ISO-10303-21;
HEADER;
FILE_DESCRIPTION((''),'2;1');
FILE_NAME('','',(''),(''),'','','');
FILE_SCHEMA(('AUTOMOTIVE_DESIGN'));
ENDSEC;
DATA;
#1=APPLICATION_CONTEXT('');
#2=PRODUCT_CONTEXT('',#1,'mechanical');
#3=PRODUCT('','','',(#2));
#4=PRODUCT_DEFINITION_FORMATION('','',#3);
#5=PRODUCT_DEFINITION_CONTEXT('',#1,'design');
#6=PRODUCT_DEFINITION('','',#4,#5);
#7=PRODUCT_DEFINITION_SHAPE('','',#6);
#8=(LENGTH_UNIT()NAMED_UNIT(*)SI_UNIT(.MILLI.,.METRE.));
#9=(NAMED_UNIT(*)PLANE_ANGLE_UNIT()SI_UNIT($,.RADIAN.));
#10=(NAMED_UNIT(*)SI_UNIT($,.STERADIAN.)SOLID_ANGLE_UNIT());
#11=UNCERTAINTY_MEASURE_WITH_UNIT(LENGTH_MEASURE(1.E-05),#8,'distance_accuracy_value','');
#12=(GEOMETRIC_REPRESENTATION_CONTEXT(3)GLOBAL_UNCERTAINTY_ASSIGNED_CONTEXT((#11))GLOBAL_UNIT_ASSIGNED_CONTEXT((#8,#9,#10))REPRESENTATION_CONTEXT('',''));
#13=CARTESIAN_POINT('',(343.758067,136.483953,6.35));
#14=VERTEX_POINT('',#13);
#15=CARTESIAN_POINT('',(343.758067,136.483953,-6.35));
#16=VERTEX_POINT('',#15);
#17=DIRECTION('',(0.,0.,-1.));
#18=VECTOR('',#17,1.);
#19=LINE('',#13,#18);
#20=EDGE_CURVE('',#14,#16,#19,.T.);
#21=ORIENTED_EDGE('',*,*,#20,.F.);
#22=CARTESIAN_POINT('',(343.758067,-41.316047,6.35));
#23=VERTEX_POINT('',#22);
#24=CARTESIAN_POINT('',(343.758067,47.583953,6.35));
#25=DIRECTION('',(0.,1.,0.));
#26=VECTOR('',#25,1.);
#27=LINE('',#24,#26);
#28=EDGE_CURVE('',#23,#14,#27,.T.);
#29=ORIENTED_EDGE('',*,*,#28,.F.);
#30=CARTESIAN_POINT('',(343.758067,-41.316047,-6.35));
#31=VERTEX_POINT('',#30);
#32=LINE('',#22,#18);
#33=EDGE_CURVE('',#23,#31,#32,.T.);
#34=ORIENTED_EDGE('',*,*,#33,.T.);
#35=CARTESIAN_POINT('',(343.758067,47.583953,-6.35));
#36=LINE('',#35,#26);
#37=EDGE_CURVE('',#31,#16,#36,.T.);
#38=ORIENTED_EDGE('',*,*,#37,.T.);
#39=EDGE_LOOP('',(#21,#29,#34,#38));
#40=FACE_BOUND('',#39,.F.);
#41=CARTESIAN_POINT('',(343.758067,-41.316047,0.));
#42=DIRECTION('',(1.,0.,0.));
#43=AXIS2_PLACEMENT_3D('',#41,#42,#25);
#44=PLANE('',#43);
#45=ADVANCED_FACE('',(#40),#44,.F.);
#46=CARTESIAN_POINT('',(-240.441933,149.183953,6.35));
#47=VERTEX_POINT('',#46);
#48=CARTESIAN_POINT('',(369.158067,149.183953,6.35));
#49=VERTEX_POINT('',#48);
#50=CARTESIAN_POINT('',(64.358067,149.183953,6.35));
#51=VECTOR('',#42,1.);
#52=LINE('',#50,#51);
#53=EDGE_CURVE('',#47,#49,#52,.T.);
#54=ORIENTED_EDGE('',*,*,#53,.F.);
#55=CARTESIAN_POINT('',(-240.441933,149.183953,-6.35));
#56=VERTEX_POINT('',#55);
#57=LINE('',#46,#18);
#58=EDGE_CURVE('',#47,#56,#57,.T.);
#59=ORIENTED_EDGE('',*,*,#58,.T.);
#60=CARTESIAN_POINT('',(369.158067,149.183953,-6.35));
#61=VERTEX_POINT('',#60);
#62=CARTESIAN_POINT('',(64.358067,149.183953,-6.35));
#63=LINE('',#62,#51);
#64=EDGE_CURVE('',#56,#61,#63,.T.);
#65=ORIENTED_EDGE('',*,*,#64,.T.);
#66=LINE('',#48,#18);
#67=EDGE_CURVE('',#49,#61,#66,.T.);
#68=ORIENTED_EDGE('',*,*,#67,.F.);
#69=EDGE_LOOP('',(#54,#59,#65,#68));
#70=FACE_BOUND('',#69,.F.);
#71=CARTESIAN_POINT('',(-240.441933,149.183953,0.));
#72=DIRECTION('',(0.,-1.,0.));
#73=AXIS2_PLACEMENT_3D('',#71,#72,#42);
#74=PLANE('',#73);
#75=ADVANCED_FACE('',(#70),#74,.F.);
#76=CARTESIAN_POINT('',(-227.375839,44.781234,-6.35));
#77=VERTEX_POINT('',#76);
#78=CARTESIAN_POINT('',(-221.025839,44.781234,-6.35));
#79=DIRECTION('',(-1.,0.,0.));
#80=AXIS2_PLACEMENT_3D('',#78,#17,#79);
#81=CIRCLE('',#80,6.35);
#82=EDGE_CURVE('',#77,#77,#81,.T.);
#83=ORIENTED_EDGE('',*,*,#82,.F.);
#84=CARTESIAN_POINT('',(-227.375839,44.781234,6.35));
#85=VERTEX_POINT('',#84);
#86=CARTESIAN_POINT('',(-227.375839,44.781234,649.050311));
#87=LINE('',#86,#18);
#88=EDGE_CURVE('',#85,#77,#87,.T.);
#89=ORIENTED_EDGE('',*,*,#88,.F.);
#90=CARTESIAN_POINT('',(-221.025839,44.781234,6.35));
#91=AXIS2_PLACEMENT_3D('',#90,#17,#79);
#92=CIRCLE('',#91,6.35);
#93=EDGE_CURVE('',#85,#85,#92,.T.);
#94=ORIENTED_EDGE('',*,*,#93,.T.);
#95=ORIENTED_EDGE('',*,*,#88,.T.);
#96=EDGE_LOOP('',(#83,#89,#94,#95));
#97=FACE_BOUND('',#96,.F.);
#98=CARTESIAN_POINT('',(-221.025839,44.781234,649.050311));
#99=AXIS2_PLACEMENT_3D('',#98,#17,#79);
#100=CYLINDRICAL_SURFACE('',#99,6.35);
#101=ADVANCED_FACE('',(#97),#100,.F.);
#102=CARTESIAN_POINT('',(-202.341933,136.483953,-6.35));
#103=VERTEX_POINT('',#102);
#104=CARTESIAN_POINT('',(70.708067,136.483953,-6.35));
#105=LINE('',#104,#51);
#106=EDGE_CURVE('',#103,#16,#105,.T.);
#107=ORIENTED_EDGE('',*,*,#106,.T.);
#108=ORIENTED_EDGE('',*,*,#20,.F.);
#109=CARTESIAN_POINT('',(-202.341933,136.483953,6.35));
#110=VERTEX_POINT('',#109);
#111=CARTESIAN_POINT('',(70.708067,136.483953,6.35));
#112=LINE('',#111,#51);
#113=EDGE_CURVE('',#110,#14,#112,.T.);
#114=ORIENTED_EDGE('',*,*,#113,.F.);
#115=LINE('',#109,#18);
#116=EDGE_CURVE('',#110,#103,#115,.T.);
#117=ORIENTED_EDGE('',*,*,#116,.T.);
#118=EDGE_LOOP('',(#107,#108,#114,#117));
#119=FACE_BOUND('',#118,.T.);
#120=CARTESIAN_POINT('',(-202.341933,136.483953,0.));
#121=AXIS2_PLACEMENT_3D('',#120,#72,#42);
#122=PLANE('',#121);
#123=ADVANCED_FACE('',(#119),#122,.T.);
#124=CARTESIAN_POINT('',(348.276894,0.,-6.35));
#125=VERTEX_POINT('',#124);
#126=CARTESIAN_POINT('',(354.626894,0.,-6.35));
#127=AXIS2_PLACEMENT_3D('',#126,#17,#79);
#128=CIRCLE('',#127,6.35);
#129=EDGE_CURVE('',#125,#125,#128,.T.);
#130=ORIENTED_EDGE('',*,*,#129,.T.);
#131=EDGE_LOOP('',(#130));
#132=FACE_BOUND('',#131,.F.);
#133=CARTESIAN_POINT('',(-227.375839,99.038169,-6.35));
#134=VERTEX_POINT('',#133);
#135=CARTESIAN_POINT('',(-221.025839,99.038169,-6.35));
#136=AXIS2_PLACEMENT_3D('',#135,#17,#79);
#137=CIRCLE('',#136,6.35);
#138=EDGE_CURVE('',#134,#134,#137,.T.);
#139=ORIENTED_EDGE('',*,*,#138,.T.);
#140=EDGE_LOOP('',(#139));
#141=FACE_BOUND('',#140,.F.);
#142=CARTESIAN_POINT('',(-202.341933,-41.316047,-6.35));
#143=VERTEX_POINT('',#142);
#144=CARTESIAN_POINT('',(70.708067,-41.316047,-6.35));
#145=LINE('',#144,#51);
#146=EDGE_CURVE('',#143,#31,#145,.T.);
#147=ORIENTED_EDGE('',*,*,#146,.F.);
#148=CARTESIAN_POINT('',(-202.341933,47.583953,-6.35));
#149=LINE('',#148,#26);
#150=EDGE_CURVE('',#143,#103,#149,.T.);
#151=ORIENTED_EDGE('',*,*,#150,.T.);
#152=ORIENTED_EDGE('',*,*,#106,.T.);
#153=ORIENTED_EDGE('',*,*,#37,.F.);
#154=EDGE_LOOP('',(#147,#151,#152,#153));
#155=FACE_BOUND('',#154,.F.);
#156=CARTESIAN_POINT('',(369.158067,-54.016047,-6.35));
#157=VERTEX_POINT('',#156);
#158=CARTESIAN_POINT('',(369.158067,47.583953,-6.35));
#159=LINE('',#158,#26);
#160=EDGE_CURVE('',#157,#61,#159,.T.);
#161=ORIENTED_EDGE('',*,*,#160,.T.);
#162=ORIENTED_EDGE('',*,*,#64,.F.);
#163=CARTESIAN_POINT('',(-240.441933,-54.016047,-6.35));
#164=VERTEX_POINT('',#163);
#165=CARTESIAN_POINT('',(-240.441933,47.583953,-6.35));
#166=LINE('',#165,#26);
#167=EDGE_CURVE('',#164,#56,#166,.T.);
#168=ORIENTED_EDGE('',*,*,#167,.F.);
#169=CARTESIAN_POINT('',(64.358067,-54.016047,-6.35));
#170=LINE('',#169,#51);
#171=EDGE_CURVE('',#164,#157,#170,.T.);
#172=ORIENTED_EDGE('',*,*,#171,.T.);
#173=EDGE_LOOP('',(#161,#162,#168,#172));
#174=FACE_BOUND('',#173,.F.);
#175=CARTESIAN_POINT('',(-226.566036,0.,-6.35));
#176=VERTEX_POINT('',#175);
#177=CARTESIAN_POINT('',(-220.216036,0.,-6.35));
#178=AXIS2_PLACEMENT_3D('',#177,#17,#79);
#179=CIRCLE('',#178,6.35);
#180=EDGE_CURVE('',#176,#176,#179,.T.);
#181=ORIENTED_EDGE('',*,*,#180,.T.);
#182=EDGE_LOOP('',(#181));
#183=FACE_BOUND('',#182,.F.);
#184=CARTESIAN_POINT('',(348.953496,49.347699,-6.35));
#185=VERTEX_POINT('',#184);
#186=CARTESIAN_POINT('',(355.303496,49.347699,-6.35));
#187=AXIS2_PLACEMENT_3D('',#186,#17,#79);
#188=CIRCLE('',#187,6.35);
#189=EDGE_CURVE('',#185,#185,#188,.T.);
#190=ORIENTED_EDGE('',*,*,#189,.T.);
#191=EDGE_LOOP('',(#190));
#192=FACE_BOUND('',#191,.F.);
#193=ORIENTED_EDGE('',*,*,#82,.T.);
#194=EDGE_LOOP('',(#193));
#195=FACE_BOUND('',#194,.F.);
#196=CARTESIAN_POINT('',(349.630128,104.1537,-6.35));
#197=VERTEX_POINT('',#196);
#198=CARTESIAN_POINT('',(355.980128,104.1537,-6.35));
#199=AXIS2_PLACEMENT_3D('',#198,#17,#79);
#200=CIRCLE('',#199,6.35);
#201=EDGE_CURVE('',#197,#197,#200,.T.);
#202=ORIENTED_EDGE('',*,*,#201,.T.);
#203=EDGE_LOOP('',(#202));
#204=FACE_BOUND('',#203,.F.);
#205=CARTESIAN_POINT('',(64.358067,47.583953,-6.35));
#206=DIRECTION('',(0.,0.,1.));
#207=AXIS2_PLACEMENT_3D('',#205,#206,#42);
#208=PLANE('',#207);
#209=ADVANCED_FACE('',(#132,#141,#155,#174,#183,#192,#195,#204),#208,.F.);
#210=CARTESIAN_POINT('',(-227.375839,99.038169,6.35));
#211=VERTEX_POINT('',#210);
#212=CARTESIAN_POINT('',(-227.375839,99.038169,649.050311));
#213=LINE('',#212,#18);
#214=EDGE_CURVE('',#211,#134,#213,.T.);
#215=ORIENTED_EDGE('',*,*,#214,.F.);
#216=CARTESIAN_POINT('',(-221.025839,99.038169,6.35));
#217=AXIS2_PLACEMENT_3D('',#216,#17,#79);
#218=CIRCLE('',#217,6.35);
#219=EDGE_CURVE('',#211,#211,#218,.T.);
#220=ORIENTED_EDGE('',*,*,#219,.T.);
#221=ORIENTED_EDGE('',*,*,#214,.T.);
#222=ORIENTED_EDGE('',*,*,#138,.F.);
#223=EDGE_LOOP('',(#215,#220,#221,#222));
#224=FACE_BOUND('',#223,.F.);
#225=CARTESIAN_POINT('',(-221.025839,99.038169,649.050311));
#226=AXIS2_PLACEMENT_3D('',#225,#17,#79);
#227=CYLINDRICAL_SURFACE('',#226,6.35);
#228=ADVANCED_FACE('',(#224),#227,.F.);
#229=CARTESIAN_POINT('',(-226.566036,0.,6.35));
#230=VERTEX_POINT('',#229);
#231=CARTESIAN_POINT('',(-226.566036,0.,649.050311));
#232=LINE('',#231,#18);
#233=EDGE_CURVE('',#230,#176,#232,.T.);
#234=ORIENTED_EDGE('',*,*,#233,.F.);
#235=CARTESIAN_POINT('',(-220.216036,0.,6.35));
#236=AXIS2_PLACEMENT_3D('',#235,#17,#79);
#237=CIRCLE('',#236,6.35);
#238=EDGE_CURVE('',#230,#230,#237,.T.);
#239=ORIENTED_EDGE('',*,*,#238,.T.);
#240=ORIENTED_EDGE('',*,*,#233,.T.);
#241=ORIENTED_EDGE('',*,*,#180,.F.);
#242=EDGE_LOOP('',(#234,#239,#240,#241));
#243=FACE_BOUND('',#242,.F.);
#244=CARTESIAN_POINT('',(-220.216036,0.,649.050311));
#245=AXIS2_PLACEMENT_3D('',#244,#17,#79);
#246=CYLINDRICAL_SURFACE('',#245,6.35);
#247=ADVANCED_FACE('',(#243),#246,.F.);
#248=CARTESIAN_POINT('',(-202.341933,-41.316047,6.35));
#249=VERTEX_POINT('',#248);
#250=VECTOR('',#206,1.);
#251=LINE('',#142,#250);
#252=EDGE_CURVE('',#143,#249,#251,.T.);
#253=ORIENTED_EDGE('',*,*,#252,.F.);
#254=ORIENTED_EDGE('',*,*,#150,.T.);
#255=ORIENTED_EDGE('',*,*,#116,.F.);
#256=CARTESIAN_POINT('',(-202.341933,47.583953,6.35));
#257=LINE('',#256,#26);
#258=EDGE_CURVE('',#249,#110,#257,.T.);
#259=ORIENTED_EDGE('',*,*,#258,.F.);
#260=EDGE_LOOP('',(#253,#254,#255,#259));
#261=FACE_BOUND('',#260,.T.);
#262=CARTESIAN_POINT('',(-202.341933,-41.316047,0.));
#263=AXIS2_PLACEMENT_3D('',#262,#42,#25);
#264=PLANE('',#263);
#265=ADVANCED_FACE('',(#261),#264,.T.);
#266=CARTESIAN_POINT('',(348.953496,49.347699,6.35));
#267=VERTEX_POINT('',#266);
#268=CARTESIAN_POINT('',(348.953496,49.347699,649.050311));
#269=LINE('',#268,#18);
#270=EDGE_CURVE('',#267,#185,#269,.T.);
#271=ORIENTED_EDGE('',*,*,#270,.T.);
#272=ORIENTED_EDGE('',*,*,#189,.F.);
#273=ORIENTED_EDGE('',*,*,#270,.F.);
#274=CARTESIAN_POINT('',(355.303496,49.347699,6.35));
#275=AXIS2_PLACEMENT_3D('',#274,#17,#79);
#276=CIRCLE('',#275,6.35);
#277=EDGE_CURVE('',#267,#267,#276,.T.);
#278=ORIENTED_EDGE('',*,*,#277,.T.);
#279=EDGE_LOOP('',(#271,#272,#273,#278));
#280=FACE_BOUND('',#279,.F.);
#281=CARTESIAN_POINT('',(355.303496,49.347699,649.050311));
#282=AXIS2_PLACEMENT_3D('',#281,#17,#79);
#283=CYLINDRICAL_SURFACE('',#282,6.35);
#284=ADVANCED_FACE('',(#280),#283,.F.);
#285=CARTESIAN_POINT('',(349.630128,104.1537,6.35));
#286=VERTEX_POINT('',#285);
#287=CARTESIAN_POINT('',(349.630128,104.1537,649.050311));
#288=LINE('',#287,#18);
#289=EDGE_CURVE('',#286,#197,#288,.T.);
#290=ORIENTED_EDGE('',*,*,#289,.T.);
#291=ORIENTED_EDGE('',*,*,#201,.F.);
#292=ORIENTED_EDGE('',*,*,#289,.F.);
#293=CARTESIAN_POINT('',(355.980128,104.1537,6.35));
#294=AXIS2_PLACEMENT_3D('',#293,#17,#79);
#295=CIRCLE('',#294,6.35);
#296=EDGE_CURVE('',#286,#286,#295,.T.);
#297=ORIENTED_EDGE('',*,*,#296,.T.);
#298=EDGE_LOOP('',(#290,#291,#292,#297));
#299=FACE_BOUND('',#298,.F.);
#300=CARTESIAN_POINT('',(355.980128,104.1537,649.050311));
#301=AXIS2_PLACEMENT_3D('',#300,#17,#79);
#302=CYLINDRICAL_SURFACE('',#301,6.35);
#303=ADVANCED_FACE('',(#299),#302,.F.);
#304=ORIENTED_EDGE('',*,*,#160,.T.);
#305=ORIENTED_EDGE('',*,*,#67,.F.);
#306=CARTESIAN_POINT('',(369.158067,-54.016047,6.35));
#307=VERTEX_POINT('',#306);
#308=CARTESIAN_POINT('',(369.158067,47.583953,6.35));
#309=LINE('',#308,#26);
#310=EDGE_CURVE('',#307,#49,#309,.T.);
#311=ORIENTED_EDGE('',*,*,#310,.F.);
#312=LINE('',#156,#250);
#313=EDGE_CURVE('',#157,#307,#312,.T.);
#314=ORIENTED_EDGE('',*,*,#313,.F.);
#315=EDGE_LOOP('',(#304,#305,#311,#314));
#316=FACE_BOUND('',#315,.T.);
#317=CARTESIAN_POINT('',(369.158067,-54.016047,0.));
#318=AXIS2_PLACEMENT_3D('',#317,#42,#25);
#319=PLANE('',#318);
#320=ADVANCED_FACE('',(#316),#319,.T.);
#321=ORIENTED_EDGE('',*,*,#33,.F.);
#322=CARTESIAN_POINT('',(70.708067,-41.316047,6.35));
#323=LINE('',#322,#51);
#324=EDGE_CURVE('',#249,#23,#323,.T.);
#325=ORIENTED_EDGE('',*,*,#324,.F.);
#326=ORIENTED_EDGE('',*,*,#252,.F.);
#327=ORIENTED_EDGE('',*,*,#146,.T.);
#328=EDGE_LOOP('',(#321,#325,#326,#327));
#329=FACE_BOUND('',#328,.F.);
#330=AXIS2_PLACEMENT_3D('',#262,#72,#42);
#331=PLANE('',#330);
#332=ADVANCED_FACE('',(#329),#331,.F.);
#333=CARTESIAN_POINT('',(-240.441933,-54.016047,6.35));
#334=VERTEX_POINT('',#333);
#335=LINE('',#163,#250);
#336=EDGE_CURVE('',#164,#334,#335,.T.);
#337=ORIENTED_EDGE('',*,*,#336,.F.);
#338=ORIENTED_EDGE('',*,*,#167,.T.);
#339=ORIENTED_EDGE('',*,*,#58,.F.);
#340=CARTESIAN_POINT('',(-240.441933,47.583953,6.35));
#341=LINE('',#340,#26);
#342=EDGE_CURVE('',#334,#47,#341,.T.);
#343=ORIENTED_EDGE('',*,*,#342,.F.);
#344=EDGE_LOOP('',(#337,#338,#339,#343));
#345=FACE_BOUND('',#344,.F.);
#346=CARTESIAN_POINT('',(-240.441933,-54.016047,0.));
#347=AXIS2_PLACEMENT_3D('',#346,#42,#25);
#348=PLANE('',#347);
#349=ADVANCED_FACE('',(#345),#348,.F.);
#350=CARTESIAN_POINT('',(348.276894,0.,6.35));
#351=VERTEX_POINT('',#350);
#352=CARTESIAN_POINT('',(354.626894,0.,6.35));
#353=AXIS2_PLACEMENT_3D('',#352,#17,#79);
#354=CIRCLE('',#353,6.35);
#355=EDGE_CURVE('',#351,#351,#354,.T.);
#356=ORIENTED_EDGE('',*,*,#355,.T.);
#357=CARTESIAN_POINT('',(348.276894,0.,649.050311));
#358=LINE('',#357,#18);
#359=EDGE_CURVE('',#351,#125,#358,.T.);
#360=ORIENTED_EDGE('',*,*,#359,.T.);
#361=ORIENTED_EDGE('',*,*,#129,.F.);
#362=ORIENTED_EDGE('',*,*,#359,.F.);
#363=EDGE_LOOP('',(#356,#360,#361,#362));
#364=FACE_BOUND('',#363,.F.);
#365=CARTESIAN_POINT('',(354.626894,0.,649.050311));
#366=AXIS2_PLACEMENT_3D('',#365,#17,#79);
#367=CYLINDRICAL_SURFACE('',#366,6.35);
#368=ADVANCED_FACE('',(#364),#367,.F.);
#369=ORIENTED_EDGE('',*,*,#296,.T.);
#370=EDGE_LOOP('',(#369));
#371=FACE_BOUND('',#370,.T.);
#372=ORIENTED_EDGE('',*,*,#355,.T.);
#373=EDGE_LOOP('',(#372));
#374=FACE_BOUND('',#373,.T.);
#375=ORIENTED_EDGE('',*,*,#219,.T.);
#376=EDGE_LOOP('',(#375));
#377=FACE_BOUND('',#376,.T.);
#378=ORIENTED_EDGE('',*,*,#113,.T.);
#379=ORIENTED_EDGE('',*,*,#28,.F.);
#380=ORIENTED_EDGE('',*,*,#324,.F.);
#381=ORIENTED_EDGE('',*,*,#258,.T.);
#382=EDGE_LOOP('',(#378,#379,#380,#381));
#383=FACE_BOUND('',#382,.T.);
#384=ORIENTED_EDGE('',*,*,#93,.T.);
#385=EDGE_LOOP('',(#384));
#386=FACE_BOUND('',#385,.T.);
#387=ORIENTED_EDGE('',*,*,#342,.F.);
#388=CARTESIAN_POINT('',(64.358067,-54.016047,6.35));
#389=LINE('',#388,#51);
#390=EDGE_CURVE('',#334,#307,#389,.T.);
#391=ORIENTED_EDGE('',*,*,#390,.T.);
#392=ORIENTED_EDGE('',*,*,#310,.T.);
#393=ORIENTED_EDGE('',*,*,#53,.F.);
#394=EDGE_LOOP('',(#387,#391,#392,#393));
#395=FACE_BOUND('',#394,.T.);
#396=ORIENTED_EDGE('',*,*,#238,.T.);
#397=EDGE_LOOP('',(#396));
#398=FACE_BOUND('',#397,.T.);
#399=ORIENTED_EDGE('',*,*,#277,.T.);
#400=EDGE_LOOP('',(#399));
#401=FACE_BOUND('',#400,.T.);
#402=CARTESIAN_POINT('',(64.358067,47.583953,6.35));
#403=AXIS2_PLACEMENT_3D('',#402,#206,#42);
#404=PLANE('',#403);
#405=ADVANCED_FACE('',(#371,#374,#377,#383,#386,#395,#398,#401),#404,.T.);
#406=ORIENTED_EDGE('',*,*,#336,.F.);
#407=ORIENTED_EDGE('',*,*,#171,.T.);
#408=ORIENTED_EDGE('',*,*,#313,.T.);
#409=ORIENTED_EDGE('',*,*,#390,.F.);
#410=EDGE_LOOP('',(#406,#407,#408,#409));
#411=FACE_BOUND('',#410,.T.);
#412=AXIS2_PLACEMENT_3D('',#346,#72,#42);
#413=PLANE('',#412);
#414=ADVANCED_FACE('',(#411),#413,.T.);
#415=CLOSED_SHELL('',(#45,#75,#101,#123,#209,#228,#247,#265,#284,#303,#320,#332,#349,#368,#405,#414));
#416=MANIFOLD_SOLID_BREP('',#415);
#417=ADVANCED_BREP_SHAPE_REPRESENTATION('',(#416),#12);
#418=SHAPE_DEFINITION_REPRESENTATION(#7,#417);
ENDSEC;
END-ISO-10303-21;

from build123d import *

# Parameters (mm, degrees)
F0_W     = 609.6
F0_H     = 203.2
F0_W_2   = 546.1
F0_H_2   = 177.8
F1_DEPTH = 6.35
F3_D     = 12.7
F5_D     = 12.7


with BuildPart() as f1:
    # F0 (on Top) → F1 (new body, symmetric)
    with BuildSketch(Plane.XY):
        with Locations((64.358067, 47.583953)):
            Rectangle(F0_W, F0_H)
        with Locations((70.708067, 47.583953)):
            Rectangle(F0_W_2, F0_H_2, mode=Mode.SUBTRACT)
    extrude(amount=F1_DEPTH, both=True)

    # F3 (through all)
    with Locations(Plane.XY.offset(6.35)):
        with Locations((-221.025839, 99.038169), (-221.025839, 44.781234), (-220.216036, 0)):
            Hole(F3_D / 2)

    # F5 (through all)
    with Locations(Plane.XY.offset(6.35)):
        with Locations((355.980128, 104.1537), (355.303496, 49.347699), (354.626894, 0)):
            Hole(F5_D / 2)


solid = f1.part
